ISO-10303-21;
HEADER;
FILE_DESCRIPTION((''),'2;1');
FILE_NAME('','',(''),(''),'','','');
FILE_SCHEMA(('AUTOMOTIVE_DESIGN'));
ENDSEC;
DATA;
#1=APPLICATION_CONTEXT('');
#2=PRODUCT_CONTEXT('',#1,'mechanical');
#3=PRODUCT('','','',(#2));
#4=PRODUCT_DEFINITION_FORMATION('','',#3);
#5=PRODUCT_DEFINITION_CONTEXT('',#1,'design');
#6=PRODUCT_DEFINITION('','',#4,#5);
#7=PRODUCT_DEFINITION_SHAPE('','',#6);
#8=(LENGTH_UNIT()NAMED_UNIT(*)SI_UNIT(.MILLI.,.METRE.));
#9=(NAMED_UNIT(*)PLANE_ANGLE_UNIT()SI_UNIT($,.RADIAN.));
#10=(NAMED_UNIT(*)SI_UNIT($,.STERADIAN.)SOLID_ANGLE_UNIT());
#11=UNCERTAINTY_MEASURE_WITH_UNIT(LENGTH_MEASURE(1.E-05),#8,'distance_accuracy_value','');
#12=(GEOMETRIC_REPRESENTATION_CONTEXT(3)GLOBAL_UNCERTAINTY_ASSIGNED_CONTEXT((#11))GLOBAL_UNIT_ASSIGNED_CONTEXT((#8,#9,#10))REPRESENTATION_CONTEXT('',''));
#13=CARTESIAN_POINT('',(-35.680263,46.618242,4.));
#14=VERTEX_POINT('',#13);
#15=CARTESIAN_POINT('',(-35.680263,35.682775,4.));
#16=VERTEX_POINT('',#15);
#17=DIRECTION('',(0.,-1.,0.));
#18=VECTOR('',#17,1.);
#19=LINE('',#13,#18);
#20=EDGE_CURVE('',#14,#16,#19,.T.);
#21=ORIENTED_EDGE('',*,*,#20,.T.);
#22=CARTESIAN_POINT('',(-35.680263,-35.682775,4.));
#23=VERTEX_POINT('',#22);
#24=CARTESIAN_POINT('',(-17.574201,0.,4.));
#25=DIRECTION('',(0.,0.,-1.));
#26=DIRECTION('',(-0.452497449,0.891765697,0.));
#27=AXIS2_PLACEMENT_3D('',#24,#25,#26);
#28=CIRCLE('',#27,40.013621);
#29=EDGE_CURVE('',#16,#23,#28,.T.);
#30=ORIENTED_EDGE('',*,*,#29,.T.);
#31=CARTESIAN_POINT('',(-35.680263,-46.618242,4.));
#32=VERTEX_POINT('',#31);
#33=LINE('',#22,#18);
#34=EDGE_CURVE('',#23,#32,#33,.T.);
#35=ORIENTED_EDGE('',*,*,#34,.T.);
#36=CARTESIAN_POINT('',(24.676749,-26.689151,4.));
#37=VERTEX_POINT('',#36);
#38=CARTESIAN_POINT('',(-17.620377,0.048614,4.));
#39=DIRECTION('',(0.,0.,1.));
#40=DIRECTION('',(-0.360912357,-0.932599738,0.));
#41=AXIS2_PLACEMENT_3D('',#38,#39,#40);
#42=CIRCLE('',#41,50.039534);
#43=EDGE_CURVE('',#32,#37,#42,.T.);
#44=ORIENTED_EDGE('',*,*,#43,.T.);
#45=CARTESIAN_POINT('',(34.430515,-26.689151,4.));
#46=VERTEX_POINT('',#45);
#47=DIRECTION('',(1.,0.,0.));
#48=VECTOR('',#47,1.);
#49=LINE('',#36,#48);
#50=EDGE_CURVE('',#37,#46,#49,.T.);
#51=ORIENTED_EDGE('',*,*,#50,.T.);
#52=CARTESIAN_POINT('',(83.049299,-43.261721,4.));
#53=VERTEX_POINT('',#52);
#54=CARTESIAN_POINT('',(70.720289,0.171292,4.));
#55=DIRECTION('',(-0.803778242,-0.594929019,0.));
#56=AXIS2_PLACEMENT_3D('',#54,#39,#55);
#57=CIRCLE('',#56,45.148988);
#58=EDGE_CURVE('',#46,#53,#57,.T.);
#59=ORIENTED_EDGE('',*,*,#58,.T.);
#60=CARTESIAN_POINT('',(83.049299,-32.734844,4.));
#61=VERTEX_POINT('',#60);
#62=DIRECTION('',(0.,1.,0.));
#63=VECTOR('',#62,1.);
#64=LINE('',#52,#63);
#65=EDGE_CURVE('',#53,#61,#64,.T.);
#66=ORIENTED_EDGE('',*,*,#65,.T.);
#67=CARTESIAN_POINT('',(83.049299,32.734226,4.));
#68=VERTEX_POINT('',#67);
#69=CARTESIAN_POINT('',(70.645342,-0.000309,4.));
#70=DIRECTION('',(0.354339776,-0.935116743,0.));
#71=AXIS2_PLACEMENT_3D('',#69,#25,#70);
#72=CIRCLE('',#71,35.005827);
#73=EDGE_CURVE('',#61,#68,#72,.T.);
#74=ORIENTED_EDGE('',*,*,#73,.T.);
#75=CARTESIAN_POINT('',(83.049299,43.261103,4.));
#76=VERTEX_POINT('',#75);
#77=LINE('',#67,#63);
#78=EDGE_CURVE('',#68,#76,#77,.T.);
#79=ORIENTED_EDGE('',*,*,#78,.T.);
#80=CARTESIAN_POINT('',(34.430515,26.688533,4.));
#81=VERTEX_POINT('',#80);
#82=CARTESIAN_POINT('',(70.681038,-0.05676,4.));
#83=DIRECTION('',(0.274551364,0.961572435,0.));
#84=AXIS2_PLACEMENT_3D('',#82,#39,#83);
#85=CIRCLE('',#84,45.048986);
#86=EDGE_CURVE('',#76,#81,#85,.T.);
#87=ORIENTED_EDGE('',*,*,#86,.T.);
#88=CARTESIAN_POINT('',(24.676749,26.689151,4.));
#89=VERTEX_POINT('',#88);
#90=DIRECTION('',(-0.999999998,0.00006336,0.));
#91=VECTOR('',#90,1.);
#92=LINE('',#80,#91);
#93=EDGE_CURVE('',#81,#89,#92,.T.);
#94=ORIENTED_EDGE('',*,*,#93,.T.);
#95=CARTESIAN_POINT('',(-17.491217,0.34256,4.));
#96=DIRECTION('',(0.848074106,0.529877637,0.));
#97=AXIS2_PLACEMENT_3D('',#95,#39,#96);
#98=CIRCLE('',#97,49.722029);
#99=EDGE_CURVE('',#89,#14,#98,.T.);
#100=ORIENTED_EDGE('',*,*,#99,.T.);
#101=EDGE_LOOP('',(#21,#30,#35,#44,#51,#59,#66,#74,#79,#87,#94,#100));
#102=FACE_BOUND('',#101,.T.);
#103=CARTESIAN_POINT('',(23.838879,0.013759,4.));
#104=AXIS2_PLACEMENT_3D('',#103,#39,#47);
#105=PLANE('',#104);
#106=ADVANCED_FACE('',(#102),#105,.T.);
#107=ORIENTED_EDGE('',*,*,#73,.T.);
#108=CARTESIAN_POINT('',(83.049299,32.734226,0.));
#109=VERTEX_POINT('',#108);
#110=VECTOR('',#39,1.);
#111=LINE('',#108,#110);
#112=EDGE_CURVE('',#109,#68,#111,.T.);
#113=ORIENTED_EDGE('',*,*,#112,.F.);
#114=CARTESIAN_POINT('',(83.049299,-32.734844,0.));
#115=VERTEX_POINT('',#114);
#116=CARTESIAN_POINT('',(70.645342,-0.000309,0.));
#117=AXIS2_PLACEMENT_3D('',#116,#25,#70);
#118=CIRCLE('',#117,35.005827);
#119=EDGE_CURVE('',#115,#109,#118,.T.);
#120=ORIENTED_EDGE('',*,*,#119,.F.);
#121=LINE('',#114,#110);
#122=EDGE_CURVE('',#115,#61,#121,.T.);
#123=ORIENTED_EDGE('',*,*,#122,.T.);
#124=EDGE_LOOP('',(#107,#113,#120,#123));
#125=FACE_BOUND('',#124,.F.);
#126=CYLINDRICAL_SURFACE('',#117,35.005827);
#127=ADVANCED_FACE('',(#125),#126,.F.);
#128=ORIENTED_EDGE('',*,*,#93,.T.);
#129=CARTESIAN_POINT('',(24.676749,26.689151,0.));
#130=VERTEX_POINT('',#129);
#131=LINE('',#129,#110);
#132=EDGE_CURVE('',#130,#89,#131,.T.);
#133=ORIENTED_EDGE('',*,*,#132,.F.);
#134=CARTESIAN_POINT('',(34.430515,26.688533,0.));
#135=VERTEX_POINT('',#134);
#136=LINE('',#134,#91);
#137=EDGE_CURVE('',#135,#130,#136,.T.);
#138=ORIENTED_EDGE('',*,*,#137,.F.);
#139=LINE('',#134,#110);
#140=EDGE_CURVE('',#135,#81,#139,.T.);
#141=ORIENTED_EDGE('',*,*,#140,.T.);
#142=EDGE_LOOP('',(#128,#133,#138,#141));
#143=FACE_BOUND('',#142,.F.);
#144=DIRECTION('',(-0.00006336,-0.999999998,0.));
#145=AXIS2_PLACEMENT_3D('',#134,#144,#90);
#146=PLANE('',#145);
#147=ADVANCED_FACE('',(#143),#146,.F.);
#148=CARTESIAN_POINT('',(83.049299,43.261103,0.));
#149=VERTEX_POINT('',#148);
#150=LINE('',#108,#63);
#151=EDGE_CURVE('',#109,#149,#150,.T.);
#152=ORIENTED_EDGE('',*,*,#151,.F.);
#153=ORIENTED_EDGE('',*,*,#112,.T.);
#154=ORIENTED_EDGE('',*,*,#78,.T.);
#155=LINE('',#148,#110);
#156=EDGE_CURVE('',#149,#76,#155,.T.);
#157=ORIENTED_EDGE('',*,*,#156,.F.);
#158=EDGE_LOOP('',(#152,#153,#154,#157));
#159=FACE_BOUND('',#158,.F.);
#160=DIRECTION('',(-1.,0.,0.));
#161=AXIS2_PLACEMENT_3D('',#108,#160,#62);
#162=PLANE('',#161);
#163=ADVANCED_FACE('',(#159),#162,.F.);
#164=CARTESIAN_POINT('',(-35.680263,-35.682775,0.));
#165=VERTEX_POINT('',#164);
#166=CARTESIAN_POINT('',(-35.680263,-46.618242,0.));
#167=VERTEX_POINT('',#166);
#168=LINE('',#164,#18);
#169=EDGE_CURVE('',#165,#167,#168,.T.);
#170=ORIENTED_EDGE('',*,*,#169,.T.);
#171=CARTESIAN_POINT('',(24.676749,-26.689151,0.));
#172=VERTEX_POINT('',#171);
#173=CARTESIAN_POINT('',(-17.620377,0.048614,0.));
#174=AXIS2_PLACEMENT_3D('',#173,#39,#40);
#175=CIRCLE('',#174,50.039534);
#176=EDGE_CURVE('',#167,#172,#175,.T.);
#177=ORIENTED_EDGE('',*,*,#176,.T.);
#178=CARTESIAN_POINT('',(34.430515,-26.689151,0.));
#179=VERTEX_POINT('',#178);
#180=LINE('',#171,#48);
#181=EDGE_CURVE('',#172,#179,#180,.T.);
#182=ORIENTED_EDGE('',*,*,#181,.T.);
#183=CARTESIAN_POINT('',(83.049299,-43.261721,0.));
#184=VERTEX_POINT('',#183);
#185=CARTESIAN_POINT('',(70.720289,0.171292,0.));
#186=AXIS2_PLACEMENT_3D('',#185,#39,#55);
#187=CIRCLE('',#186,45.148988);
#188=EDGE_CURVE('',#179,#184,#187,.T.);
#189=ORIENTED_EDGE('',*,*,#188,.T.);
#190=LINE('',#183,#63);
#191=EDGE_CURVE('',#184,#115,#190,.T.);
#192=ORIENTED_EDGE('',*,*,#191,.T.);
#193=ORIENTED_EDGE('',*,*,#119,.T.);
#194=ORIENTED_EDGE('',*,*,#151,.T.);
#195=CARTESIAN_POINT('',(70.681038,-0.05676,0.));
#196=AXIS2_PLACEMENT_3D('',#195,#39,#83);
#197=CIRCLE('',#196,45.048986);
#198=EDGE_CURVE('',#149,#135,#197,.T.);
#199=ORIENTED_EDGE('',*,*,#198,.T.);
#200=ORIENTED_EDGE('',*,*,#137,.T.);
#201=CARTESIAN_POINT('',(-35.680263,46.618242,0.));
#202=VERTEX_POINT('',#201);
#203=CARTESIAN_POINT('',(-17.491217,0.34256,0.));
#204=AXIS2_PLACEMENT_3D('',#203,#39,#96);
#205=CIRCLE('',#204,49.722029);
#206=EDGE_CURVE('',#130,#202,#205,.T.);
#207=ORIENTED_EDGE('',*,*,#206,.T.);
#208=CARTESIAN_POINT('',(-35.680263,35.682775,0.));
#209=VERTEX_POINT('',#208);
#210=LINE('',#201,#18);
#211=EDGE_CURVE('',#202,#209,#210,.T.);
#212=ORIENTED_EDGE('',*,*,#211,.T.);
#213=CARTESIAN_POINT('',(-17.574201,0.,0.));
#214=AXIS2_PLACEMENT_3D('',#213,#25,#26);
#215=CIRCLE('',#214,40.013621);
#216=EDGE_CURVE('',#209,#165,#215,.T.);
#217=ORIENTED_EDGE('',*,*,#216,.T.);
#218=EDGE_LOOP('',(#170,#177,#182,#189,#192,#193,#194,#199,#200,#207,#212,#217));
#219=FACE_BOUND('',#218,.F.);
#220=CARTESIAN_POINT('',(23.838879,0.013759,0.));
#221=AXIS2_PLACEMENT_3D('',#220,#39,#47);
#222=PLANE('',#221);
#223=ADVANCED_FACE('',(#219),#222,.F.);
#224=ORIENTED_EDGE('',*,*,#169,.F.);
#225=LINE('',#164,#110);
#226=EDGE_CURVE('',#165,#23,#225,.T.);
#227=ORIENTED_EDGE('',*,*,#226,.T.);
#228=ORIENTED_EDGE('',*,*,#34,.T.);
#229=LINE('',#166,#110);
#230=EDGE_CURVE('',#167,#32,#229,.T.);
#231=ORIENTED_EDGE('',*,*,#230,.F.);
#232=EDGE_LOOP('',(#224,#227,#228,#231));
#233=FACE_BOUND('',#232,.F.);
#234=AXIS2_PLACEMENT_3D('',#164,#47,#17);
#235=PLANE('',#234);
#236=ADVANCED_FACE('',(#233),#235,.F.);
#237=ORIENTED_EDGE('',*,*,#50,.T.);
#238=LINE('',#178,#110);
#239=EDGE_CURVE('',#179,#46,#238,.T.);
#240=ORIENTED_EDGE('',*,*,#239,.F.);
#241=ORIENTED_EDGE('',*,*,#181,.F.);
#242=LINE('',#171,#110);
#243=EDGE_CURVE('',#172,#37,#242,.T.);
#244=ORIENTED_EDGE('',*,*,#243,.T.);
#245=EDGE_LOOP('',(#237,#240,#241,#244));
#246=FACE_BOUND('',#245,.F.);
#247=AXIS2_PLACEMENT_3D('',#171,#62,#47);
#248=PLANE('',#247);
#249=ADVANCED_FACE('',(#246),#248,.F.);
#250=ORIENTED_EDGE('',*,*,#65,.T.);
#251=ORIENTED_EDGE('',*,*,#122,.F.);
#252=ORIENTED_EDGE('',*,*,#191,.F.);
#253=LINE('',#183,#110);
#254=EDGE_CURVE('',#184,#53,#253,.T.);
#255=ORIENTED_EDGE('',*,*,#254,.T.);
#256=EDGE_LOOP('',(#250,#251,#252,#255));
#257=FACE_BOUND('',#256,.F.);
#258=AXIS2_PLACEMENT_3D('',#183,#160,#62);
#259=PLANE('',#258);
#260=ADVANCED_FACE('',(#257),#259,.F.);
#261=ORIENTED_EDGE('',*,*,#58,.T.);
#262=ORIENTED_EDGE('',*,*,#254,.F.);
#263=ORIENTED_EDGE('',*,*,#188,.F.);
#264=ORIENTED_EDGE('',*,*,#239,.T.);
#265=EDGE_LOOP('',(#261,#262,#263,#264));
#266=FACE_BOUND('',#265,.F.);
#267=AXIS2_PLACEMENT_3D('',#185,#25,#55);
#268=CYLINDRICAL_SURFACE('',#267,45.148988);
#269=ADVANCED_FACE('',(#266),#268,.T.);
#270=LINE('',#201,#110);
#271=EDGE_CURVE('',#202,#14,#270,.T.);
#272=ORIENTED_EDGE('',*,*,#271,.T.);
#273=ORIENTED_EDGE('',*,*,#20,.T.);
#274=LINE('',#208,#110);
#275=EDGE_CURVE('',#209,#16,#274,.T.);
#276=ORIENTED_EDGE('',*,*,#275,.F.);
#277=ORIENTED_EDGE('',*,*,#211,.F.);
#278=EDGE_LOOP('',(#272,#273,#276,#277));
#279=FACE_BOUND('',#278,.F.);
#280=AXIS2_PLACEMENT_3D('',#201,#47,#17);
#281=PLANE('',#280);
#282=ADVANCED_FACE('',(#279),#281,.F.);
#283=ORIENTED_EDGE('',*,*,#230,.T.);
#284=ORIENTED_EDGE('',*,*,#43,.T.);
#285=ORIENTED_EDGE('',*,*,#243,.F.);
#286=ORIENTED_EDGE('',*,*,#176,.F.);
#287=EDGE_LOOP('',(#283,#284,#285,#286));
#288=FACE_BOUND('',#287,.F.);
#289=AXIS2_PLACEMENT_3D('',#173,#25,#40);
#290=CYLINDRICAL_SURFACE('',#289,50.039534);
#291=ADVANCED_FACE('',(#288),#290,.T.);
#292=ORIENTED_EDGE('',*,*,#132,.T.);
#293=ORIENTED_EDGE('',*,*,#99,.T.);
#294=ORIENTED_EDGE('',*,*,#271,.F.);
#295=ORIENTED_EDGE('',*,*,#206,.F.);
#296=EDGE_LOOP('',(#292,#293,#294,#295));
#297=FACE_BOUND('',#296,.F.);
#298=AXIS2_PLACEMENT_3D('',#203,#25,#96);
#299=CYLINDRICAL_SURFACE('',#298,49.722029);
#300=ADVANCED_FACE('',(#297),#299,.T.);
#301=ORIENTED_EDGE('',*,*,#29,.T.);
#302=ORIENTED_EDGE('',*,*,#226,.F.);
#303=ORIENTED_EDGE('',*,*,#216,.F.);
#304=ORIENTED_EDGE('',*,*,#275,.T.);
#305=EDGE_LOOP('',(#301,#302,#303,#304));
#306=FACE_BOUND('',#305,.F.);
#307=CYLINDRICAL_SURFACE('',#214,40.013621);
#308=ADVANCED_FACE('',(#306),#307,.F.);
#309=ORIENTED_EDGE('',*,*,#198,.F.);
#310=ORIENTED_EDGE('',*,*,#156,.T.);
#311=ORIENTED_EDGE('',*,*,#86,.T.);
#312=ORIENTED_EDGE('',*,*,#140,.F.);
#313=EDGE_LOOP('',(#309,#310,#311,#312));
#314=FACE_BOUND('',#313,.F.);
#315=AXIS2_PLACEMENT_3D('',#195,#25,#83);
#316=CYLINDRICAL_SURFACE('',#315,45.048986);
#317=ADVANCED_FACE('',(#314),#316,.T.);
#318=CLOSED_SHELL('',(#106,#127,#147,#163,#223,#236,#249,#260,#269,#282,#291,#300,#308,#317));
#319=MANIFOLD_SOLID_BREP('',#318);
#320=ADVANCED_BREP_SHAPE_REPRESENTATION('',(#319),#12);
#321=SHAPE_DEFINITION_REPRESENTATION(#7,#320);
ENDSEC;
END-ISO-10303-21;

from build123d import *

# Parameters (mm, degrees)
F1_DEPTH = 4


with BuildPart() as f1:
    # F0 (on Top) → F1 (new body)
    with BuildSketch(Plane.XY):
        with BuildLine():
            Line((-35.680263, -35.682775), (-35.680263, -46.618242))
            ThreePointArc((-35.680263, -46.618242), (-1.931109, -47.467718), (24.676749, -26.689151))
            Line((24.676749, -26.689151), (34.430515, -26.689151))
            ThreePointArc((34.430515, -26.689151), (56.153475, -42.563226), (83.049299, -43.261721))
            Line((83.049299, -43.261721), (83.049299, -32.734844))
            ThreePointArc((83.049299, -32.734844), (35.639515, -0.000309), (83.049299, 32.734226))
            Line((83.049299, 32.734226), (83.049299, 43.261103))
            ThreePointArc((83.049299, 43.261103), (56.146489, 42.583104), (34.430515, 26.688533))
            Line((34.430515, 26.688533), (24.676749, 26.689151))
            ThreePointArc((24.676749, 26.689151), (-1.901498, 47.557397), (-35.680263, 46.618242))
            Line((-35.680263, 46.618242), (-35.680263, 35.682775))
            ThreePointArc((-35.680263, 35.682775), (22.43942, 0), (-35.680263, -35.682775))
        make_face()
    extrude(amount=F1_DEPTH)


solid = f1.part
